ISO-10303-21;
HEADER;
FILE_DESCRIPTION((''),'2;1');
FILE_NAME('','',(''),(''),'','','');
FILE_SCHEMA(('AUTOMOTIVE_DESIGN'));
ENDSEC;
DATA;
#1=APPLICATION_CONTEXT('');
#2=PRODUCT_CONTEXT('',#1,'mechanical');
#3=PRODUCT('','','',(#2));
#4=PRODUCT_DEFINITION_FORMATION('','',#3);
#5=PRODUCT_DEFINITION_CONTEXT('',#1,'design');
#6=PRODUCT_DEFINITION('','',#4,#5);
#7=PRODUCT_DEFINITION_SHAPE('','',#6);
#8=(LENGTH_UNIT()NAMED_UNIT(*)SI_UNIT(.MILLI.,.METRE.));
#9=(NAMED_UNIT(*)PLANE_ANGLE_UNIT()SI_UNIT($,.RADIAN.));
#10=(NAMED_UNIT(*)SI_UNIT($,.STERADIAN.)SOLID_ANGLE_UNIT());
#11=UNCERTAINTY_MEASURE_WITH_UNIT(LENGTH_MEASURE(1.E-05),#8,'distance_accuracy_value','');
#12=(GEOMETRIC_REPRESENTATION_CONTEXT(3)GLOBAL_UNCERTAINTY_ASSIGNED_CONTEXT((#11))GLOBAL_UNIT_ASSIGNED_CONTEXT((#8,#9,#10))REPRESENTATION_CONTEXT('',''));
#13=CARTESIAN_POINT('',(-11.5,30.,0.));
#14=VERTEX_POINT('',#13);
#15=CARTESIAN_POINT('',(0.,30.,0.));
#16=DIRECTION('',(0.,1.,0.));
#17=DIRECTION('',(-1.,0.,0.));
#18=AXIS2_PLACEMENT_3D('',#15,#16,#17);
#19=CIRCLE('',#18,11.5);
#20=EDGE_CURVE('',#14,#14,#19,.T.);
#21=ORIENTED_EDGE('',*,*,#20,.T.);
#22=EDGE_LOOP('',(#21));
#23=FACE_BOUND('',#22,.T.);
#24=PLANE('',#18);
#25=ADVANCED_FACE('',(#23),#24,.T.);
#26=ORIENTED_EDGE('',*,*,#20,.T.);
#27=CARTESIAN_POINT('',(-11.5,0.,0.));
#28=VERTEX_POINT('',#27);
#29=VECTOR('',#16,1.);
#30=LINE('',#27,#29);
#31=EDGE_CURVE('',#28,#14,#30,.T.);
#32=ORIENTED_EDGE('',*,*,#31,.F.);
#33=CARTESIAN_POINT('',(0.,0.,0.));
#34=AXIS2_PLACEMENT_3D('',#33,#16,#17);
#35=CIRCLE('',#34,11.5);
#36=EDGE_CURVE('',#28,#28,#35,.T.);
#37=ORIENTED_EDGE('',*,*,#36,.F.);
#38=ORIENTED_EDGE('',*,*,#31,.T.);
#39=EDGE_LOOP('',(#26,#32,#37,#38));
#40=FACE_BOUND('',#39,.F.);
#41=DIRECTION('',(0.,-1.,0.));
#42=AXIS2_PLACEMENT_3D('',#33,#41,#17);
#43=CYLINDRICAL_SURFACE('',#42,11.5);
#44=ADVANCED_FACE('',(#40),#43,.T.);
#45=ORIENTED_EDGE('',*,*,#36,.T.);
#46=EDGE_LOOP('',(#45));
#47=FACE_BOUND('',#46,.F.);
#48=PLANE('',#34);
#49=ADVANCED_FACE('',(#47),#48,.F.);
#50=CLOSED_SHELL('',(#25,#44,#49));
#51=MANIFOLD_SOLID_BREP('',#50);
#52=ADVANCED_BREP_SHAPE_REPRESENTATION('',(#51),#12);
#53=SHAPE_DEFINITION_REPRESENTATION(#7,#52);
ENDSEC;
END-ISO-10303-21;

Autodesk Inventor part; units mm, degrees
ref_plane "YZ Plane" through (0, 0, 0) normal (1, 0, 0) x (0, 1, 0)
ref_plane "XZ Plane" through (0, 0, 0) normal (0, 1, 0) x (-1, 0, 0)
ref_plane "XY Plane" through (0, 0, 0) normal (0, 0, 1) x (1, 0, 0)
sketch "Sketch1" plane through (0, 0, 0) normal (0, 1, 0) x (-1, 0, 0)
  circle A0 centre (0, 0) radius 11.5
  dimension "d0" = 23
extrude "Extrusion1" add sketch "Sketch1" along normal blind 30
properties part number "testCylinder" material "Stainless Steel"
